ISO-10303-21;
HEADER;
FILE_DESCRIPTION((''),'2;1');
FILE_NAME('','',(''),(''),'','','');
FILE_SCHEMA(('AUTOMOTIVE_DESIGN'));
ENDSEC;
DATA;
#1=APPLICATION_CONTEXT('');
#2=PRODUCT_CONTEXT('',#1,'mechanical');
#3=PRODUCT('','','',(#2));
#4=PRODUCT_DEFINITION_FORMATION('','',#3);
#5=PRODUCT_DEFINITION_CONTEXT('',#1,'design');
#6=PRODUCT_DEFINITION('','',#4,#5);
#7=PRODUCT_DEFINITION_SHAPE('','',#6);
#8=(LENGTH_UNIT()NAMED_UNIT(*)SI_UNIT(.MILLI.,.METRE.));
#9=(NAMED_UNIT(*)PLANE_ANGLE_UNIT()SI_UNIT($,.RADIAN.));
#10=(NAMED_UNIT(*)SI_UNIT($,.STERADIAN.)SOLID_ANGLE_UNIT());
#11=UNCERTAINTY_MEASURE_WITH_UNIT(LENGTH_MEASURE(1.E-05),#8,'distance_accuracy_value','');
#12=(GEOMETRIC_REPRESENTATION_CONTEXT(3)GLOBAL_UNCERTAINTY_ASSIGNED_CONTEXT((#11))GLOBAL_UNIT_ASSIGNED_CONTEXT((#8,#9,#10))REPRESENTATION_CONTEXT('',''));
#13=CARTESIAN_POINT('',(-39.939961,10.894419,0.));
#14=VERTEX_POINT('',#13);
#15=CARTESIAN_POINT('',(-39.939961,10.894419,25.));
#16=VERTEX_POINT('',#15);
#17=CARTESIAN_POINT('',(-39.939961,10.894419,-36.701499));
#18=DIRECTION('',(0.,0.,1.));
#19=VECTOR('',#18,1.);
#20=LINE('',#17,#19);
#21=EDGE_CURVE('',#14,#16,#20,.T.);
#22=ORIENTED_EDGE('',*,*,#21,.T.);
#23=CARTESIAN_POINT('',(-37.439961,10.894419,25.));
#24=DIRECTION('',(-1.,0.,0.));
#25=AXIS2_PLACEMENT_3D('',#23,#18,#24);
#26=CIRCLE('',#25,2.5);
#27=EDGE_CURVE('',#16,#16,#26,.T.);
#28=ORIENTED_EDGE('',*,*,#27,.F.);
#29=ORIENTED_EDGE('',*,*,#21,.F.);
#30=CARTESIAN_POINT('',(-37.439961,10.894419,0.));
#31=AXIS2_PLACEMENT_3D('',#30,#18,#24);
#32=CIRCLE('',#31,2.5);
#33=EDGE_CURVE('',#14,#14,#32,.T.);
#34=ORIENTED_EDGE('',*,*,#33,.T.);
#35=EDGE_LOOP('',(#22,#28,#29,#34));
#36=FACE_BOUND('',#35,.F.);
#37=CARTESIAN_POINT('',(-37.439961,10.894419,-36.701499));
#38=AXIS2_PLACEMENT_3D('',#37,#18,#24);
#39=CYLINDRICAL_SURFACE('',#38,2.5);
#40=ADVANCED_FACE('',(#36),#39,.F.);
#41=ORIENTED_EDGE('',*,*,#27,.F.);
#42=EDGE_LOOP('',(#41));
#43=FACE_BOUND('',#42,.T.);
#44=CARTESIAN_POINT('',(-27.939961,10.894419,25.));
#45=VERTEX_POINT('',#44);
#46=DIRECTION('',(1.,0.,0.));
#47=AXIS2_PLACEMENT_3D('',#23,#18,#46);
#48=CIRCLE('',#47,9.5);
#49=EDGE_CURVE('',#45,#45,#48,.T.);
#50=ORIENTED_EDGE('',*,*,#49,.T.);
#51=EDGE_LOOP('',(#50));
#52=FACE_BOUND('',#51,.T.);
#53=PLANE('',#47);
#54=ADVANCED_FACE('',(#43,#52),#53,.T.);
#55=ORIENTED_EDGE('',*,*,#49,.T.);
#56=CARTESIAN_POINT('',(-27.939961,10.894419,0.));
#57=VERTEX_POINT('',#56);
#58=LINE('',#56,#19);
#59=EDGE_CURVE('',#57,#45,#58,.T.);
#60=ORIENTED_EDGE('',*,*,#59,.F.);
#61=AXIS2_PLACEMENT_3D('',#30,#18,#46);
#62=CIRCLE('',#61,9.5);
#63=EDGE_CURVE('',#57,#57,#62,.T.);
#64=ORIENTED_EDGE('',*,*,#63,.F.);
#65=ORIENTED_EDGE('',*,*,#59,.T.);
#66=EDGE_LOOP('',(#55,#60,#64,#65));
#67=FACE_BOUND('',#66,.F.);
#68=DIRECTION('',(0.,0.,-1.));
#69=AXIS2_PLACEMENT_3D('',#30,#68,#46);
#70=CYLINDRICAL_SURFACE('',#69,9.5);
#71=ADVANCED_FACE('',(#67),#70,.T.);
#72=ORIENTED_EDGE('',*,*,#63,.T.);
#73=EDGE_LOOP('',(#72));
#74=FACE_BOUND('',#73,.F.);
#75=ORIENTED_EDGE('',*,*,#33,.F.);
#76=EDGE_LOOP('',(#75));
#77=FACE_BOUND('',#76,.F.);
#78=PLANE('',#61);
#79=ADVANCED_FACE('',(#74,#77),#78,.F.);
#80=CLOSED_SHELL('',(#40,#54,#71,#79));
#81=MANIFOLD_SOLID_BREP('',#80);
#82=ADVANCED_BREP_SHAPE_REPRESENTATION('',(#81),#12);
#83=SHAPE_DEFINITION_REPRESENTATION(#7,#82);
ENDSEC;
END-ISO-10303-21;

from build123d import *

# Parameters (mm, degrees)
F0_R     = 9.5
F0_R_2   = 2.5
F1_DEPTH = 25
F2_D     = 5


with BuildPart() as f1:
    # F0 (on Top) → F1 (new body)
    with BuildSketch(Plane.XY):
        with Locations((-37.4399609864, 10.8944186941)):
            Circle(F0_R)
        with Locations((-37.4399609864, 10.8944186941)):
            Circle(F0_R_2, mode=Mode.SUBTRACT)
        with Locations((-37.4399609864, 10.8944186941)):
            Circle(F0_R_2)
    extrude(amount=F1_DEPTH)

    # F2 (through all)
    with Locations(Plane(origin=(0, 0, 0), x_dir=(1, 0, 0), z_dir=(0, 0, -1))):
        with Locations((-37.4399609864, -10.8944186941)):
            Hole(F2_D / 2)


solid = f1.part
